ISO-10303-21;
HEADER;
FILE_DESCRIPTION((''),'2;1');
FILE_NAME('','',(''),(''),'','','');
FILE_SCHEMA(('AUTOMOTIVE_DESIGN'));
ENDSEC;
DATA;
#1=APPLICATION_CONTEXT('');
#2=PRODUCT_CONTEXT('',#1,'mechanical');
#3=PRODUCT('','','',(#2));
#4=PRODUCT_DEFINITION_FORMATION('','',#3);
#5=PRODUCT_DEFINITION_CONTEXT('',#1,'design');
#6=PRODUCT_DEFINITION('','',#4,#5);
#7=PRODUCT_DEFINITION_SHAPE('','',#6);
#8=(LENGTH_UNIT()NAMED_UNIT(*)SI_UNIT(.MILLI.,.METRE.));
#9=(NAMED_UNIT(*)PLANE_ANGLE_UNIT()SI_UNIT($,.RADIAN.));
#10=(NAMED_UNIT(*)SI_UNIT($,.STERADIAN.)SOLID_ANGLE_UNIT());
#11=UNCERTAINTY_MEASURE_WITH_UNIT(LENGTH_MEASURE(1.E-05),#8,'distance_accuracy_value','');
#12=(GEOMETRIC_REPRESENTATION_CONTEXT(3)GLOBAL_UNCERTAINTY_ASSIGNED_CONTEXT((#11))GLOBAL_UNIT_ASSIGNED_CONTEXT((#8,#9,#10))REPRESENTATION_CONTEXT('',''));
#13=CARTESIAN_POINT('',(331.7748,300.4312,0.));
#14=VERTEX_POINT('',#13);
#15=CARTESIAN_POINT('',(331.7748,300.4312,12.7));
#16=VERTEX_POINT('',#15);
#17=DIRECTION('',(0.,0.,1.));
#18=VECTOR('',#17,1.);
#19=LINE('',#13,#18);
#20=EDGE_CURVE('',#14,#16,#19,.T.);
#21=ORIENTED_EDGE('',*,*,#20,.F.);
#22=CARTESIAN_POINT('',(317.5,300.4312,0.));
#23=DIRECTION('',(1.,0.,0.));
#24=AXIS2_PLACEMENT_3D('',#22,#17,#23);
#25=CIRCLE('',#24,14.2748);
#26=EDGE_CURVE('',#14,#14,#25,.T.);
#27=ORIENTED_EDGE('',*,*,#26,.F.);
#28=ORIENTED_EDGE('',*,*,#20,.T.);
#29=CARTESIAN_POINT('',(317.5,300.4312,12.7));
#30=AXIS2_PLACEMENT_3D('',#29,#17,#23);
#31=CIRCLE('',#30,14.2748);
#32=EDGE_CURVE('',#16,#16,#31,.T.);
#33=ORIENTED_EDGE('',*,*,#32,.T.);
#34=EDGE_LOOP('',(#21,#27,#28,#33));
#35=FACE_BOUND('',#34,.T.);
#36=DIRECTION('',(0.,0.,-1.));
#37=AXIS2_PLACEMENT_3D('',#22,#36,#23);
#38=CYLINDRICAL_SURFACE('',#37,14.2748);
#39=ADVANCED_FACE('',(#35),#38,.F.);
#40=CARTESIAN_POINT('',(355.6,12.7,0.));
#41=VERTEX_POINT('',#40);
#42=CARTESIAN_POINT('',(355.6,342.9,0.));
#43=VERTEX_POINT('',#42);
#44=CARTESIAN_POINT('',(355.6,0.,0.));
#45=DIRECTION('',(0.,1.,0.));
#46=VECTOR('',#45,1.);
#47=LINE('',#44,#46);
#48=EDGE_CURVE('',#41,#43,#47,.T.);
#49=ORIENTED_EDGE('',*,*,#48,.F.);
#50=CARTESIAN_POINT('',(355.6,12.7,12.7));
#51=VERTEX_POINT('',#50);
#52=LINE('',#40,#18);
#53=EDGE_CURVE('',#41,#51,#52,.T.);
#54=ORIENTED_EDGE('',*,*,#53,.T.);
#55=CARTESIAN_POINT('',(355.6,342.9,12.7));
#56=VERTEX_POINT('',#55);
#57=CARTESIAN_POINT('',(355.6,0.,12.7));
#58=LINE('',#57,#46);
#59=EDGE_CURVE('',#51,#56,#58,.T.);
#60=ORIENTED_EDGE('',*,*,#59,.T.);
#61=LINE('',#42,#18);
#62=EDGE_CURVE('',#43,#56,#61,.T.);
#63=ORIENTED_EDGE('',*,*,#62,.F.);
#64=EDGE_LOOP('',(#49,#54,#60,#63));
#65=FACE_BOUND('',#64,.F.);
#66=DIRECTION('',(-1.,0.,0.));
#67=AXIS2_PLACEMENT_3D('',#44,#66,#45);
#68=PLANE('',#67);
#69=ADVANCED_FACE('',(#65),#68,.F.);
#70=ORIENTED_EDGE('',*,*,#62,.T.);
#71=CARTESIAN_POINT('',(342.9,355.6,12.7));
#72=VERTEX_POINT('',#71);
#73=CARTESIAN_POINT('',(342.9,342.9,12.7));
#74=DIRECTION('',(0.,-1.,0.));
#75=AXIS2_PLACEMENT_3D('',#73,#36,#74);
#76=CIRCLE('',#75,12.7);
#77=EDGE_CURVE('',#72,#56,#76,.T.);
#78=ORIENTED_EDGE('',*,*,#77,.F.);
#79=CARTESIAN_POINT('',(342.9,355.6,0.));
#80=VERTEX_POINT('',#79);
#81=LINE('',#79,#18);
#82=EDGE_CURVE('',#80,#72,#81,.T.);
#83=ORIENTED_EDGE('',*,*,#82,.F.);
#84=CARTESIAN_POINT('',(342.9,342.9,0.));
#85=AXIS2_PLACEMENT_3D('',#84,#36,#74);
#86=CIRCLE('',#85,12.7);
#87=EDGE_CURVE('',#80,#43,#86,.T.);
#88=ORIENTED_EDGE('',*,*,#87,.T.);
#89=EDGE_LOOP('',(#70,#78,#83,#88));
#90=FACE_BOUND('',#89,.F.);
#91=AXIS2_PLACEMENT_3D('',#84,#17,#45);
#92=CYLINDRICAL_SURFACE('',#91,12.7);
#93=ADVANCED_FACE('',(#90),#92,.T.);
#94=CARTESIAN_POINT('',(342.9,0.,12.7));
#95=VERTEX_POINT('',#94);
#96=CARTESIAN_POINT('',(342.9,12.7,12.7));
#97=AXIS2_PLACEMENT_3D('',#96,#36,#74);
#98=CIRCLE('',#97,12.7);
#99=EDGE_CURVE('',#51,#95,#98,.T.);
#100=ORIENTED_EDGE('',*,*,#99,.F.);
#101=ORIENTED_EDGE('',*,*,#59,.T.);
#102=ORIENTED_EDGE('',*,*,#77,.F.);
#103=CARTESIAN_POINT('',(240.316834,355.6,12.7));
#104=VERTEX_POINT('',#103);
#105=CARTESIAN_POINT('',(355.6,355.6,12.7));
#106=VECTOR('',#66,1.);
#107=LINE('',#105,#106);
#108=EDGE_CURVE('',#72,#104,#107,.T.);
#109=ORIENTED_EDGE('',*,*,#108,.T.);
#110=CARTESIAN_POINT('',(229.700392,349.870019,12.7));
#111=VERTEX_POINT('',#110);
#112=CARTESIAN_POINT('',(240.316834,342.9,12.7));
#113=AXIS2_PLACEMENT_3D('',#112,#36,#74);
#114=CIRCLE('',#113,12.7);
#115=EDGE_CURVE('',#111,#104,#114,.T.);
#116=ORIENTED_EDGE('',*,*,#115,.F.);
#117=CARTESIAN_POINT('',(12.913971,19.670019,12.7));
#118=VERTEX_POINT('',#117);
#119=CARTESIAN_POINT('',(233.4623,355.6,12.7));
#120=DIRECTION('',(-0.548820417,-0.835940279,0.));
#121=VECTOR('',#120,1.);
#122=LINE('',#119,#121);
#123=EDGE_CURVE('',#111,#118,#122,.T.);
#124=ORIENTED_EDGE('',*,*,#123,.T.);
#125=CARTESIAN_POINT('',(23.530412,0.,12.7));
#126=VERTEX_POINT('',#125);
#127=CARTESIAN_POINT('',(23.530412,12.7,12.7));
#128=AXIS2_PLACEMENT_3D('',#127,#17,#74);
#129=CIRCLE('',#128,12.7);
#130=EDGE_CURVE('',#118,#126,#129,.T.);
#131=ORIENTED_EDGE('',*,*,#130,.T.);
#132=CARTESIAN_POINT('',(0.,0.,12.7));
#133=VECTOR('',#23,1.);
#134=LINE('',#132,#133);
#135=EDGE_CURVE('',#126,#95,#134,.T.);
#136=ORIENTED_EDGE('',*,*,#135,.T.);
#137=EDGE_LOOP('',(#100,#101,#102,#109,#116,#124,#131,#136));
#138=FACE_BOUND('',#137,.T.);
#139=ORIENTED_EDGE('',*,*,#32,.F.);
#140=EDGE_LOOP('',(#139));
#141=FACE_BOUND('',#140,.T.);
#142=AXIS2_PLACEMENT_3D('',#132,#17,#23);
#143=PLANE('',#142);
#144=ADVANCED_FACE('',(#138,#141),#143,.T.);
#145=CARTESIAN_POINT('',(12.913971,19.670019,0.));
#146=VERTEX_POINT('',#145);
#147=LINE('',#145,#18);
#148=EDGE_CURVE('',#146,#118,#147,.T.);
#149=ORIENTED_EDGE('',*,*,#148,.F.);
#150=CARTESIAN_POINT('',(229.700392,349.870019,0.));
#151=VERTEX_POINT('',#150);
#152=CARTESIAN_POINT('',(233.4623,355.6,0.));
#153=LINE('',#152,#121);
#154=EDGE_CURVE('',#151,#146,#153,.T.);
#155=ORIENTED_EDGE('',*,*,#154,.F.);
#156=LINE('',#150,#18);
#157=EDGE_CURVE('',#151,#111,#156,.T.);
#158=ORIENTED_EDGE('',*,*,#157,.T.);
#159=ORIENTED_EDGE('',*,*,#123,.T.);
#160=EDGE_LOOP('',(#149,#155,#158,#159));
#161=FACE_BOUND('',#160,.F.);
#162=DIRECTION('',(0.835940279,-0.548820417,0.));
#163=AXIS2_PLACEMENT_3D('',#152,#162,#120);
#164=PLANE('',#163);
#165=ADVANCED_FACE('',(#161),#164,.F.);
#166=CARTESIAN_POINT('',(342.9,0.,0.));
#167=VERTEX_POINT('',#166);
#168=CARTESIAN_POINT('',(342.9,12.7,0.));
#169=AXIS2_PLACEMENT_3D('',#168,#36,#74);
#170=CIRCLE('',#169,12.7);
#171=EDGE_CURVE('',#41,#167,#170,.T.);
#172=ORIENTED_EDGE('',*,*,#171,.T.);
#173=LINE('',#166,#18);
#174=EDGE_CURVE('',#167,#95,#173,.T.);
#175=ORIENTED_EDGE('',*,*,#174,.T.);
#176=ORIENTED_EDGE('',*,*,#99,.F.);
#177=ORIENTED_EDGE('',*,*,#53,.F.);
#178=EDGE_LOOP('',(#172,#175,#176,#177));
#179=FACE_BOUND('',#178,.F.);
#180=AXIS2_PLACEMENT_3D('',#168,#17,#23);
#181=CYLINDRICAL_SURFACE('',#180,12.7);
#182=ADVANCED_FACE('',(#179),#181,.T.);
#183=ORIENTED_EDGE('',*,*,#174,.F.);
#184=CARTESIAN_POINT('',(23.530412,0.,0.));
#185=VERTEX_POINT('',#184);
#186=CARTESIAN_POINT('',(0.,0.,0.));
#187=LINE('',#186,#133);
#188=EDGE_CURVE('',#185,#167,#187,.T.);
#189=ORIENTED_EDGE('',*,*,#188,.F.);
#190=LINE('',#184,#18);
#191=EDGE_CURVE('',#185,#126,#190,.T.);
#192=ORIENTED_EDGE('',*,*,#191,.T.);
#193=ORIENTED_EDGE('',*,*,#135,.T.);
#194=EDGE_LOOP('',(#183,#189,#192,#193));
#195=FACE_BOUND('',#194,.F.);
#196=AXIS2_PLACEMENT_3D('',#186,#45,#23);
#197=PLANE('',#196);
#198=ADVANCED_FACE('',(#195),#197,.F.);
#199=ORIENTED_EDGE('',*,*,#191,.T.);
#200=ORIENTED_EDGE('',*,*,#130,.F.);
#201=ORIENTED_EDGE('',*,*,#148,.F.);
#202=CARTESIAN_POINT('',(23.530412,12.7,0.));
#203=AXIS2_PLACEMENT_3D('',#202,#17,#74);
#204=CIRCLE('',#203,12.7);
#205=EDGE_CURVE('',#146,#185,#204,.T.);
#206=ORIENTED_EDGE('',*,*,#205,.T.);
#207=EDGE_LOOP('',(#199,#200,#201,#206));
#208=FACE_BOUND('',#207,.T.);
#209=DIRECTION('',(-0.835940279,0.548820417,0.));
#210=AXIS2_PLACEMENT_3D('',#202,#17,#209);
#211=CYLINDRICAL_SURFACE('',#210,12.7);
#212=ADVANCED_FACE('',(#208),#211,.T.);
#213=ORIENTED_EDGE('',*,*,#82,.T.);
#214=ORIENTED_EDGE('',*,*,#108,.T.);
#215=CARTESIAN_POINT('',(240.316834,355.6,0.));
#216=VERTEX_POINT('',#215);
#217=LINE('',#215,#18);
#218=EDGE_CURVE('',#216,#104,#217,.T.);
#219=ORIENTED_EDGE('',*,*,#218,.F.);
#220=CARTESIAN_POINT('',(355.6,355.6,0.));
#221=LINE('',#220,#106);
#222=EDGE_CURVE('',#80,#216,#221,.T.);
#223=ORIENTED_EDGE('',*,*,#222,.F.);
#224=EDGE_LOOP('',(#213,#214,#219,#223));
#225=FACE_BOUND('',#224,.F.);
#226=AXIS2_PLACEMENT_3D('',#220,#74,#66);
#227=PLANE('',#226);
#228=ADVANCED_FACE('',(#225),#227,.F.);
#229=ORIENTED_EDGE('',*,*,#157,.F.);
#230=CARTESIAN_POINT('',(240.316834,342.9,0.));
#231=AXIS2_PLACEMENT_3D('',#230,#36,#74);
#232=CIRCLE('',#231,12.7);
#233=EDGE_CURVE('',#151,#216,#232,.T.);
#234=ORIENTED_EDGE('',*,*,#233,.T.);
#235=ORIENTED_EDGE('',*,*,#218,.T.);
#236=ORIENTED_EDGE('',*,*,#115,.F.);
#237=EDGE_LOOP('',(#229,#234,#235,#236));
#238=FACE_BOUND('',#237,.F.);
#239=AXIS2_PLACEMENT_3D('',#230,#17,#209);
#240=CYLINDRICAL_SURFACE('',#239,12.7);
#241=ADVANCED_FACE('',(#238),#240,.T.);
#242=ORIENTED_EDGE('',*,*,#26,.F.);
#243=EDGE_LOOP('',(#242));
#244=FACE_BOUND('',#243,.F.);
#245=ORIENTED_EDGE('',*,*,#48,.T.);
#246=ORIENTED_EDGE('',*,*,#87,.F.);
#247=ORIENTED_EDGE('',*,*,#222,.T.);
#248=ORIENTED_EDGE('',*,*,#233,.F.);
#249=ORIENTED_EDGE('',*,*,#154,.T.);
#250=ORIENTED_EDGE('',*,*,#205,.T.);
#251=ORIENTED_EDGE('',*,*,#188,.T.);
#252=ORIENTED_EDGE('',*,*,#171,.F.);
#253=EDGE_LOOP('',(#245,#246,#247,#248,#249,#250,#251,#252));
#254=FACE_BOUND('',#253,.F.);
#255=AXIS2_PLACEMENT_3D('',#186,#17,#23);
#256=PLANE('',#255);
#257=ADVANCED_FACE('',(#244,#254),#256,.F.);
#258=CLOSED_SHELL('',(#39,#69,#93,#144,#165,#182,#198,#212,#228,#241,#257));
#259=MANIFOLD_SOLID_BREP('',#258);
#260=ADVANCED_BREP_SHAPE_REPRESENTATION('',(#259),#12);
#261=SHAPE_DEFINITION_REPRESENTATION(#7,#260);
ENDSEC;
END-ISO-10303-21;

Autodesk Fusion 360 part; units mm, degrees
sketch "Sketch1" plane through (0, 0, 0) normal (0, 0, 1) x (1, 0, 0)
  line L0 (0, 0) -> (355.6, 0)
  line L1 (355.6, 0) -> (355.6, 355.6)
  line L2 (355.6, 355.6) -> (233.4623, 355.6)
  circle A0 centre (317.5, 300.4312) radius 14.2748
  line L3 (233.4623, 355.6) -> (0, 0)
  dimension "d1" = 355.6
  dimension "d3" = 28.5496
  dimension "d4" = 300.4312
  dimension "d5" = 38.1
extrude "Extrude1" add sketch "Sketch1" along normal blind 12.7
fillet "Fillet1" radius 12.7 4 edges at (355.6, 355.6, 6.35) (233.4623, 355.6, 6.35) (355.6, 0, 6.35) (0, 0, 6.35)
